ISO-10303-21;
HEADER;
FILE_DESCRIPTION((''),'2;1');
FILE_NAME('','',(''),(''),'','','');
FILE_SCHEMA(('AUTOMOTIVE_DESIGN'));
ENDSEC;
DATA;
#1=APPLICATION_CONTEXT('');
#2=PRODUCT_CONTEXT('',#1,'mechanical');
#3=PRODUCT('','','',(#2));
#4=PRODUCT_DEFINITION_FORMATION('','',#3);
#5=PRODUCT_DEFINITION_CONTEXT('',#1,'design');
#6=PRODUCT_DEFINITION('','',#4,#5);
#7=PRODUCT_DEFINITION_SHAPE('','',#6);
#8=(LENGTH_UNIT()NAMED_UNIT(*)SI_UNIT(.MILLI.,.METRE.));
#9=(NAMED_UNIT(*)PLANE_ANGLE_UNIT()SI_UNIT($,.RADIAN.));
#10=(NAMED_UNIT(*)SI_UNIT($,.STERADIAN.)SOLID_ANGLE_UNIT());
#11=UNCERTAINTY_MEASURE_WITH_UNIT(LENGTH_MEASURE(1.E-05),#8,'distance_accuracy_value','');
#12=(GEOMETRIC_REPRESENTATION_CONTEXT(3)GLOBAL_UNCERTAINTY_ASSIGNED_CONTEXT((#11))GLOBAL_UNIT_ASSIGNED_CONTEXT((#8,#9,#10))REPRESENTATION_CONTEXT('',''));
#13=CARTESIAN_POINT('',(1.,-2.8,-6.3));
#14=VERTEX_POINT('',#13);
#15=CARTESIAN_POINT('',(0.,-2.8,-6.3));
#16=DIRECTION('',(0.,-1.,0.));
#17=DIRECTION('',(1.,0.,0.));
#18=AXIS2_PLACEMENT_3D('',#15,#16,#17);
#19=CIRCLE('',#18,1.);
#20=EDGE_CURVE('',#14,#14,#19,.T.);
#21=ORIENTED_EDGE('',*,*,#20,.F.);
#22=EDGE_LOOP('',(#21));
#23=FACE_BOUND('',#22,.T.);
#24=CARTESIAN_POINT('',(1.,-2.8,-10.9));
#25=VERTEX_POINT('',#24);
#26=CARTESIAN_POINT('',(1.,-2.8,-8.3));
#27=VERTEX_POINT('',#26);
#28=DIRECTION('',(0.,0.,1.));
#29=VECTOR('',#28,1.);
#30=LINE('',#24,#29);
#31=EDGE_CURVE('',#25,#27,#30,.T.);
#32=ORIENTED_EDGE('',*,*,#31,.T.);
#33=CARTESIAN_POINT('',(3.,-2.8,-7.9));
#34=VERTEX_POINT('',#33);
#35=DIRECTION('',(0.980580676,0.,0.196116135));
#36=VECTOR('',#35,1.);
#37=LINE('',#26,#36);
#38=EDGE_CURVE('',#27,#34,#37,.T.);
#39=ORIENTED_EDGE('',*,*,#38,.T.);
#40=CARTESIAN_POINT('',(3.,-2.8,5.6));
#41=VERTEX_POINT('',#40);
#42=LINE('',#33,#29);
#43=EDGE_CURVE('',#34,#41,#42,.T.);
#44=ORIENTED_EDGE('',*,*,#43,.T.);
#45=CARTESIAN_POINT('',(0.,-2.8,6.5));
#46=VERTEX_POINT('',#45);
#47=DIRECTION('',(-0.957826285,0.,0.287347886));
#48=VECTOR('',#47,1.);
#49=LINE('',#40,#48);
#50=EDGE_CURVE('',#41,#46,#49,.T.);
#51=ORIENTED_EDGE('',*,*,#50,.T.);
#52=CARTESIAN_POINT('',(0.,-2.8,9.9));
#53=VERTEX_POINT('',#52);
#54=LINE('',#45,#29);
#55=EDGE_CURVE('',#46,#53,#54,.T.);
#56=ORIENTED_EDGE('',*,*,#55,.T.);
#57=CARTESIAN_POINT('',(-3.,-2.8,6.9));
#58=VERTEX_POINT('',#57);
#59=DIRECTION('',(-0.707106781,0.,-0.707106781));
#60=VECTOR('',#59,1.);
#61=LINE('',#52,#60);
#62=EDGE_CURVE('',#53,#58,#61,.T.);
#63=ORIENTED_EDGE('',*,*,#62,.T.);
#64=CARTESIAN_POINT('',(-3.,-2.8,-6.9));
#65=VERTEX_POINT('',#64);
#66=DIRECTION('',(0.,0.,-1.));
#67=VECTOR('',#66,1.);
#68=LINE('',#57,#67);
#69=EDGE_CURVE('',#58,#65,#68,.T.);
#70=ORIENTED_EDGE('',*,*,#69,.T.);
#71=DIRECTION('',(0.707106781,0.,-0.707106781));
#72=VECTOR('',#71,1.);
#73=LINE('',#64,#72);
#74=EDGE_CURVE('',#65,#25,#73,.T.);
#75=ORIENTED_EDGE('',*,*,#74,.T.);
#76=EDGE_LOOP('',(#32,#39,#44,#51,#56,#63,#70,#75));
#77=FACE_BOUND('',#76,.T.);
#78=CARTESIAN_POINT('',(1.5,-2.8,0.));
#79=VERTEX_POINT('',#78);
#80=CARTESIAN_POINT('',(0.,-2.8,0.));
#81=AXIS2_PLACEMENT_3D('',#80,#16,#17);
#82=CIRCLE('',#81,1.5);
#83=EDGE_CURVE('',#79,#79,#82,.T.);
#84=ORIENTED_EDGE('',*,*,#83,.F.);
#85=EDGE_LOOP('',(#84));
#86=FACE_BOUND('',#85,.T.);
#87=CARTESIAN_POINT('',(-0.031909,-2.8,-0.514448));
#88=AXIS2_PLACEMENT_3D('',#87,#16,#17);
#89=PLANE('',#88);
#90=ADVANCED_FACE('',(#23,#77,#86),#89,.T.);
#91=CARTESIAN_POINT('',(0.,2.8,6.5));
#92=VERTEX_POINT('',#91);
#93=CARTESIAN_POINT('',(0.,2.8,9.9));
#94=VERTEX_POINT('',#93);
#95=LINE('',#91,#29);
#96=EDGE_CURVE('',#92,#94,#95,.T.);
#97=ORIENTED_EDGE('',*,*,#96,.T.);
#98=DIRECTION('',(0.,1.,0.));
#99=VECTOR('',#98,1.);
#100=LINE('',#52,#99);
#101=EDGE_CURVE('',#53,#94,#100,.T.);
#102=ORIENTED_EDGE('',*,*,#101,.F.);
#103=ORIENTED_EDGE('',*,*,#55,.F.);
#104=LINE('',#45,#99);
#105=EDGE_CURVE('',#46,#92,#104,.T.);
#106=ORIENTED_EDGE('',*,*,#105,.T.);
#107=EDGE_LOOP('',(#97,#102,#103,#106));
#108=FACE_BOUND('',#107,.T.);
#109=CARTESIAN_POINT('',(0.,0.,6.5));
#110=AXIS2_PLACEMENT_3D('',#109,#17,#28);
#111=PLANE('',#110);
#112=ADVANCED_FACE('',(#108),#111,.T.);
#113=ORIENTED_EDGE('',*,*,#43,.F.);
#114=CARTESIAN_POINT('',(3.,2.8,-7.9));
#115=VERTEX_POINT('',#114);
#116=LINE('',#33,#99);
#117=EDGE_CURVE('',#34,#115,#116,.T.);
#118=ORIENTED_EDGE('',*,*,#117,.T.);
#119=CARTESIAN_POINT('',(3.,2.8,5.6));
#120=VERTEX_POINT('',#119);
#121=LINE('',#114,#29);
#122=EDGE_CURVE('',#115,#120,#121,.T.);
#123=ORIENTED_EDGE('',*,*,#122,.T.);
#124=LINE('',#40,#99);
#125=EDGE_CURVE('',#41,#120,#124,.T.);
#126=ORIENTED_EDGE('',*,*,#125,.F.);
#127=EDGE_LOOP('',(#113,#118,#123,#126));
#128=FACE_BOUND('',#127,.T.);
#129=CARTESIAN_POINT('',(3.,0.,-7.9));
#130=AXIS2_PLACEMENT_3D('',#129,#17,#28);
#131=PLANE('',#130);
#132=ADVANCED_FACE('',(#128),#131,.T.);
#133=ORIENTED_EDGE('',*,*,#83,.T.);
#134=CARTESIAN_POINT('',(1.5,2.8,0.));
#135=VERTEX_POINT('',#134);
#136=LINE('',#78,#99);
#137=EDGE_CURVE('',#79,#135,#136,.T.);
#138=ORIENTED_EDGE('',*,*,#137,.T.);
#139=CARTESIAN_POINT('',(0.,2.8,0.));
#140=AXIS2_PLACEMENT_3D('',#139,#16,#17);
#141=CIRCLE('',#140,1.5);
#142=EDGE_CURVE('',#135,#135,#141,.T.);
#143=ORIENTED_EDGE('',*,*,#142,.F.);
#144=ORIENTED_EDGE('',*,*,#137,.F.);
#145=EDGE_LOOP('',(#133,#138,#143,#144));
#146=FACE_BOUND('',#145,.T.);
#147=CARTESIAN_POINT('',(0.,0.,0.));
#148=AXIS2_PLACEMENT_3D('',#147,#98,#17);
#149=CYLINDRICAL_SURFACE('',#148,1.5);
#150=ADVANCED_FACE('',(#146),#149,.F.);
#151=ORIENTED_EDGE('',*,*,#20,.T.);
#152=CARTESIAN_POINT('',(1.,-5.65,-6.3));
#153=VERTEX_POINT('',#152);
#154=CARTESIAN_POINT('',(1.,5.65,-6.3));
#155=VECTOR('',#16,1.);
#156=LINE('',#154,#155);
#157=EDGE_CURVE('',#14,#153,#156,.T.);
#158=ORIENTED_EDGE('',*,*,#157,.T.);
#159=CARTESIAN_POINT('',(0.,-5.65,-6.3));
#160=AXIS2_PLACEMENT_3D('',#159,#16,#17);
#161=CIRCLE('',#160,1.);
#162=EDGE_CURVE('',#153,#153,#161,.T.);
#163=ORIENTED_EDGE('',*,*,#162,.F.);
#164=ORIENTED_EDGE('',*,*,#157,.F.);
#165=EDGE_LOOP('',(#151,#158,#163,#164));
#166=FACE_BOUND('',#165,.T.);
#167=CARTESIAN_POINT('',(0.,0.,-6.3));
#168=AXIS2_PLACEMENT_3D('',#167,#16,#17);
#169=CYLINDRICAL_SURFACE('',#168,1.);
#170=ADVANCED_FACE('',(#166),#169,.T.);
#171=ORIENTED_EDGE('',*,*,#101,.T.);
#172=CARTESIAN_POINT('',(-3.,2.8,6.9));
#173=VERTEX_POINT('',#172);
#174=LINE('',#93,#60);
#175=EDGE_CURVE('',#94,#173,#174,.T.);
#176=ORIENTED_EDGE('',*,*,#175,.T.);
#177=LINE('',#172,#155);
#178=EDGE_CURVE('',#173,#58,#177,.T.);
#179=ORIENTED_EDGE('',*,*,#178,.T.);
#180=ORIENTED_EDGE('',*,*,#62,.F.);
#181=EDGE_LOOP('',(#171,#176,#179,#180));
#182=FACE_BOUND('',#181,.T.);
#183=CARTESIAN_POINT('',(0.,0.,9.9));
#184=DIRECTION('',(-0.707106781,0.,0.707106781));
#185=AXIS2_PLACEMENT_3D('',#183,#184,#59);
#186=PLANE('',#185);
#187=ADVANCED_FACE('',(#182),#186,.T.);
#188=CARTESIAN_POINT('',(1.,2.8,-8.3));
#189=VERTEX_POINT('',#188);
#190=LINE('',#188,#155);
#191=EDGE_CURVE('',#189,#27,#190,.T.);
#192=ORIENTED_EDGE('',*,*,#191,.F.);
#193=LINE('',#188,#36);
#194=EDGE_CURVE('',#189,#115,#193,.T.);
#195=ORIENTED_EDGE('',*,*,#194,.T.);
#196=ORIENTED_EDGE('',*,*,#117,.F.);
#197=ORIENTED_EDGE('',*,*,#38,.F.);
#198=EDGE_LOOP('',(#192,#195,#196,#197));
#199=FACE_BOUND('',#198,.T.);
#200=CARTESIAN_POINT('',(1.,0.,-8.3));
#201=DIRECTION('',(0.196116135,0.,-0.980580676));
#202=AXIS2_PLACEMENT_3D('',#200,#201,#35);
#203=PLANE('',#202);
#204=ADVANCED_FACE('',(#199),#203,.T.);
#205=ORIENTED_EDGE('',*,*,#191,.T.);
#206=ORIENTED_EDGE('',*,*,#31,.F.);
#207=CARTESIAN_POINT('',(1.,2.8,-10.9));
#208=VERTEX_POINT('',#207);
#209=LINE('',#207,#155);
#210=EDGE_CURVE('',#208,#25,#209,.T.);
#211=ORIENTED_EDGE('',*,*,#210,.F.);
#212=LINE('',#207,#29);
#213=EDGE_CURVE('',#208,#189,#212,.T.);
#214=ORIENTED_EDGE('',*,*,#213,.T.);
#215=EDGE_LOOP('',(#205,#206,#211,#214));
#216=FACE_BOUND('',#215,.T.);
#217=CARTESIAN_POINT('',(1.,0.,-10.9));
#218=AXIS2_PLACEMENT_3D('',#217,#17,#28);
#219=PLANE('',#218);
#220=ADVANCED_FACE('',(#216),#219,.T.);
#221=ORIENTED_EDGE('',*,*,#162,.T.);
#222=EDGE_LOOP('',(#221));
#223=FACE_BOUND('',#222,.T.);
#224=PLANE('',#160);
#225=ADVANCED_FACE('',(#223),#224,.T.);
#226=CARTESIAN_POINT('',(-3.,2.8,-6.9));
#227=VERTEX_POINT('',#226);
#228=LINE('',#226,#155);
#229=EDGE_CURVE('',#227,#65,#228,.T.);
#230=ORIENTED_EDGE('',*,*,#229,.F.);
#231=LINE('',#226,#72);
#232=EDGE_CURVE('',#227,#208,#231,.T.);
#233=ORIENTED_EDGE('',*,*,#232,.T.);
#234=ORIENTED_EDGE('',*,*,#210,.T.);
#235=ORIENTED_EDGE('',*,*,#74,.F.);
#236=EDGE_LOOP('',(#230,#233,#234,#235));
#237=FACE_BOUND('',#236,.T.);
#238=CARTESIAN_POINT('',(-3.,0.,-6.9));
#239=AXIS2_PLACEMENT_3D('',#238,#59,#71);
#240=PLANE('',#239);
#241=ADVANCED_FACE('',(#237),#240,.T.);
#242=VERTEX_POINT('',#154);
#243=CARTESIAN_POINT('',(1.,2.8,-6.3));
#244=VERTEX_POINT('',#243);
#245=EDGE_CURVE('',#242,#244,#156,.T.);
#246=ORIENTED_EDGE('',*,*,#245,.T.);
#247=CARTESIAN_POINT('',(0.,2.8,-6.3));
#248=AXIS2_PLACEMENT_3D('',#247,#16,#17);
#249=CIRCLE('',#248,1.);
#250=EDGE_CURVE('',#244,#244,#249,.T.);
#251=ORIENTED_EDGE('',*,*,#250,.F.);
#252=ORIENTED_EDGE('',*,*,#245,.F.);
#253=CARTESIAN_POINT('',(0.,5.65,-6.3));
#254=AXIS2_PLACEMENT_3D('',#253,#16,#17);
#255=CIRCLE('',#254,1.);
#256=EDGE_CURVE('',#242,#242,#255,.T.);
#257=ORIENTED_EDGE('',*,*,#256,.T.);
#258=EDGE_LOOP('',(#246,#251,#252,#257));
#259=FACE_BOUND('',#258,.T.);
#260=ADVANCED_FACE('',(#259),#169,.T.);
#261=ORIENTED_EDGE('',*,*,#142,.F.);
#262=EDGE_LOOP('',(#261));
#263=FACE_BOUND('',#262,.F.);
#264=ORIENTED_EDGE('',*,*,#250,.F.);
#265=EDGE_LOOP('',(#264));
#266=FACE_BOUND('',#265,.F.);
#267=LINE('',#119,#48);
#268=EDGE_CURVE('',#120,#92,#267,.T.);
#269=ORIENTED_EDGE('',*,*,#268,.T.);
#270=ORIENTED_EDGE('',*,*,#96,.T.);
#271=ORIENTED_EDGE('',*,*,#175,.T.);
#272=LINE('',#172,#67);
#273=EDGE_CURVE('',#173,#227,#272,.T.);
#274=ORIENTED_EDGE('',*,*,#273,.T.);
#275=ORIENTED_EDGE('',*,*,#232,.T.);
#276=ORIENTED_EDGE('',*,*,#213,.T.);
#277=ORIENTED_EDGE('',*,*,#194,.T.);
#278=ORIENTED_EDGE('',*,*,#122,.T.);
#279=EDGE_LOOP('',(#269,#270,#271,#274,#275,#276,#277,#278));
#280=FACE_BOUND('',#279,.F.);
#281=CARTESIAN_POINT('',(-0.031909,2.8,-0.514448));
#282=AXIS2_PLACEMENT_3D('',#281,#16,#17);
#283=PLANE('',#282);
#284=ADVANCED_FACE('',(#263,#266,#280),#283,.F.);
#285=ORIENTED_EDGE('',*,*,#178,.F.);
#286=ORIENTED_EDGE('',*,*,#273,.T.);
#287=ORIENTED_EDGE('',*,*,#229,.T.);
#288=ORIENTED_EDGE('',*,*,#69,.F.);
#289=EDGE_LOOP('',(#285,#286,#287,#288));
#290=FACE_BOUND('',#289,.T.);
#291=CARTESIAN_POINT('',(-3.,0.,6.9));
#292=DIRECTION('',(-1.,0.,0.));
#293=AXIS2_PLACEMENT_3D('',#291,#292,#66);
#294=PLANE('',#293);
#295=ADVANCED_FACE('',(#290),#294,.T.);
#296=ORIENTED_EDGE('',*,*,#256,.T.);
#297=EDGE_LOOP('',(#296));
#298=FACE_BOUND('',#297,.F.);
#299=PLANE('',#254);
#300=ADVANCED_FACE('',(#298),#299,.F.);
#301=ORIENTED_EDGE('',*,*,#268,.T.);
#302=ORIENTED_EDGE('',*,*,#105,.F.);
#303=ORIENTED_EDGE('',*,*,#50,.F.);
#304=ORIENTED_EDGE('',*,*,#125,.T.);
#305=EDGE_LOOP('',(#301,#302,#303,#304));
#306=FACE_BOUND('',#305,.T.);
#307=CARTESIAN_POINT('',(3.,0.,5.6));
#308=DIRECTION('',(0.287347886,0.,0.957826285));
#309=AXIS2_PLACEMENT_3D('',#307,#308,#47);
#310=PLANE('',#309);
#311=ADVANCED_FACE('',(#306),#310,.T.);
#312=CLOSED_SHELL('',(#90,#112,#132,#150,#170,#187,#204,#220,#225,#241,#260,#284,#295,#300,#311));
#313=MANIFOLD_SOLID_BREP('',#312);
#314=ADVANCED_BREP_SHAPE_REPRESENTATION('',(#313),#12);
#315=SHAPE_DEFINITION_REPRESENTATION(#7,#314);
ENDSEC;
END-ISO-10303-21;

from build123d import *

# Parameters (mm, degrees)
F0_R     = 1
F0_R_2   = 1.5
F1_DEPTH = 2.8
F2_DEPTH = 5.65


with BuildPart() as f1:
    # F0 (on Front) → F1 (new body, symmetric)
    with BuildSketch(Plane.XZ):
        Polygon((0, 9.9), (-3, 6.9), (-3, -6.9), (1, -10.9), (1, -8.3), (3, -7.9), (3, 5.6), (0, 6.5), align=None)
        with Locations((0, -6.3)):
            Circle(F0_R, mode=Mode.SUBTRACT)
        Circle(F0_R_2, mode=Mode.SUBTRACT)
    extrude(amount=F1_DEPTH, both=True)

    # F0 (on Front) → F2 (join, symmetric)
    with BuildSketch(Plane.XZ):
        with Locations((0, -6.3)):
            Circle(F0_R)
    extrude(amount=F2_DEPTH, both=True)


solid = f1.part
